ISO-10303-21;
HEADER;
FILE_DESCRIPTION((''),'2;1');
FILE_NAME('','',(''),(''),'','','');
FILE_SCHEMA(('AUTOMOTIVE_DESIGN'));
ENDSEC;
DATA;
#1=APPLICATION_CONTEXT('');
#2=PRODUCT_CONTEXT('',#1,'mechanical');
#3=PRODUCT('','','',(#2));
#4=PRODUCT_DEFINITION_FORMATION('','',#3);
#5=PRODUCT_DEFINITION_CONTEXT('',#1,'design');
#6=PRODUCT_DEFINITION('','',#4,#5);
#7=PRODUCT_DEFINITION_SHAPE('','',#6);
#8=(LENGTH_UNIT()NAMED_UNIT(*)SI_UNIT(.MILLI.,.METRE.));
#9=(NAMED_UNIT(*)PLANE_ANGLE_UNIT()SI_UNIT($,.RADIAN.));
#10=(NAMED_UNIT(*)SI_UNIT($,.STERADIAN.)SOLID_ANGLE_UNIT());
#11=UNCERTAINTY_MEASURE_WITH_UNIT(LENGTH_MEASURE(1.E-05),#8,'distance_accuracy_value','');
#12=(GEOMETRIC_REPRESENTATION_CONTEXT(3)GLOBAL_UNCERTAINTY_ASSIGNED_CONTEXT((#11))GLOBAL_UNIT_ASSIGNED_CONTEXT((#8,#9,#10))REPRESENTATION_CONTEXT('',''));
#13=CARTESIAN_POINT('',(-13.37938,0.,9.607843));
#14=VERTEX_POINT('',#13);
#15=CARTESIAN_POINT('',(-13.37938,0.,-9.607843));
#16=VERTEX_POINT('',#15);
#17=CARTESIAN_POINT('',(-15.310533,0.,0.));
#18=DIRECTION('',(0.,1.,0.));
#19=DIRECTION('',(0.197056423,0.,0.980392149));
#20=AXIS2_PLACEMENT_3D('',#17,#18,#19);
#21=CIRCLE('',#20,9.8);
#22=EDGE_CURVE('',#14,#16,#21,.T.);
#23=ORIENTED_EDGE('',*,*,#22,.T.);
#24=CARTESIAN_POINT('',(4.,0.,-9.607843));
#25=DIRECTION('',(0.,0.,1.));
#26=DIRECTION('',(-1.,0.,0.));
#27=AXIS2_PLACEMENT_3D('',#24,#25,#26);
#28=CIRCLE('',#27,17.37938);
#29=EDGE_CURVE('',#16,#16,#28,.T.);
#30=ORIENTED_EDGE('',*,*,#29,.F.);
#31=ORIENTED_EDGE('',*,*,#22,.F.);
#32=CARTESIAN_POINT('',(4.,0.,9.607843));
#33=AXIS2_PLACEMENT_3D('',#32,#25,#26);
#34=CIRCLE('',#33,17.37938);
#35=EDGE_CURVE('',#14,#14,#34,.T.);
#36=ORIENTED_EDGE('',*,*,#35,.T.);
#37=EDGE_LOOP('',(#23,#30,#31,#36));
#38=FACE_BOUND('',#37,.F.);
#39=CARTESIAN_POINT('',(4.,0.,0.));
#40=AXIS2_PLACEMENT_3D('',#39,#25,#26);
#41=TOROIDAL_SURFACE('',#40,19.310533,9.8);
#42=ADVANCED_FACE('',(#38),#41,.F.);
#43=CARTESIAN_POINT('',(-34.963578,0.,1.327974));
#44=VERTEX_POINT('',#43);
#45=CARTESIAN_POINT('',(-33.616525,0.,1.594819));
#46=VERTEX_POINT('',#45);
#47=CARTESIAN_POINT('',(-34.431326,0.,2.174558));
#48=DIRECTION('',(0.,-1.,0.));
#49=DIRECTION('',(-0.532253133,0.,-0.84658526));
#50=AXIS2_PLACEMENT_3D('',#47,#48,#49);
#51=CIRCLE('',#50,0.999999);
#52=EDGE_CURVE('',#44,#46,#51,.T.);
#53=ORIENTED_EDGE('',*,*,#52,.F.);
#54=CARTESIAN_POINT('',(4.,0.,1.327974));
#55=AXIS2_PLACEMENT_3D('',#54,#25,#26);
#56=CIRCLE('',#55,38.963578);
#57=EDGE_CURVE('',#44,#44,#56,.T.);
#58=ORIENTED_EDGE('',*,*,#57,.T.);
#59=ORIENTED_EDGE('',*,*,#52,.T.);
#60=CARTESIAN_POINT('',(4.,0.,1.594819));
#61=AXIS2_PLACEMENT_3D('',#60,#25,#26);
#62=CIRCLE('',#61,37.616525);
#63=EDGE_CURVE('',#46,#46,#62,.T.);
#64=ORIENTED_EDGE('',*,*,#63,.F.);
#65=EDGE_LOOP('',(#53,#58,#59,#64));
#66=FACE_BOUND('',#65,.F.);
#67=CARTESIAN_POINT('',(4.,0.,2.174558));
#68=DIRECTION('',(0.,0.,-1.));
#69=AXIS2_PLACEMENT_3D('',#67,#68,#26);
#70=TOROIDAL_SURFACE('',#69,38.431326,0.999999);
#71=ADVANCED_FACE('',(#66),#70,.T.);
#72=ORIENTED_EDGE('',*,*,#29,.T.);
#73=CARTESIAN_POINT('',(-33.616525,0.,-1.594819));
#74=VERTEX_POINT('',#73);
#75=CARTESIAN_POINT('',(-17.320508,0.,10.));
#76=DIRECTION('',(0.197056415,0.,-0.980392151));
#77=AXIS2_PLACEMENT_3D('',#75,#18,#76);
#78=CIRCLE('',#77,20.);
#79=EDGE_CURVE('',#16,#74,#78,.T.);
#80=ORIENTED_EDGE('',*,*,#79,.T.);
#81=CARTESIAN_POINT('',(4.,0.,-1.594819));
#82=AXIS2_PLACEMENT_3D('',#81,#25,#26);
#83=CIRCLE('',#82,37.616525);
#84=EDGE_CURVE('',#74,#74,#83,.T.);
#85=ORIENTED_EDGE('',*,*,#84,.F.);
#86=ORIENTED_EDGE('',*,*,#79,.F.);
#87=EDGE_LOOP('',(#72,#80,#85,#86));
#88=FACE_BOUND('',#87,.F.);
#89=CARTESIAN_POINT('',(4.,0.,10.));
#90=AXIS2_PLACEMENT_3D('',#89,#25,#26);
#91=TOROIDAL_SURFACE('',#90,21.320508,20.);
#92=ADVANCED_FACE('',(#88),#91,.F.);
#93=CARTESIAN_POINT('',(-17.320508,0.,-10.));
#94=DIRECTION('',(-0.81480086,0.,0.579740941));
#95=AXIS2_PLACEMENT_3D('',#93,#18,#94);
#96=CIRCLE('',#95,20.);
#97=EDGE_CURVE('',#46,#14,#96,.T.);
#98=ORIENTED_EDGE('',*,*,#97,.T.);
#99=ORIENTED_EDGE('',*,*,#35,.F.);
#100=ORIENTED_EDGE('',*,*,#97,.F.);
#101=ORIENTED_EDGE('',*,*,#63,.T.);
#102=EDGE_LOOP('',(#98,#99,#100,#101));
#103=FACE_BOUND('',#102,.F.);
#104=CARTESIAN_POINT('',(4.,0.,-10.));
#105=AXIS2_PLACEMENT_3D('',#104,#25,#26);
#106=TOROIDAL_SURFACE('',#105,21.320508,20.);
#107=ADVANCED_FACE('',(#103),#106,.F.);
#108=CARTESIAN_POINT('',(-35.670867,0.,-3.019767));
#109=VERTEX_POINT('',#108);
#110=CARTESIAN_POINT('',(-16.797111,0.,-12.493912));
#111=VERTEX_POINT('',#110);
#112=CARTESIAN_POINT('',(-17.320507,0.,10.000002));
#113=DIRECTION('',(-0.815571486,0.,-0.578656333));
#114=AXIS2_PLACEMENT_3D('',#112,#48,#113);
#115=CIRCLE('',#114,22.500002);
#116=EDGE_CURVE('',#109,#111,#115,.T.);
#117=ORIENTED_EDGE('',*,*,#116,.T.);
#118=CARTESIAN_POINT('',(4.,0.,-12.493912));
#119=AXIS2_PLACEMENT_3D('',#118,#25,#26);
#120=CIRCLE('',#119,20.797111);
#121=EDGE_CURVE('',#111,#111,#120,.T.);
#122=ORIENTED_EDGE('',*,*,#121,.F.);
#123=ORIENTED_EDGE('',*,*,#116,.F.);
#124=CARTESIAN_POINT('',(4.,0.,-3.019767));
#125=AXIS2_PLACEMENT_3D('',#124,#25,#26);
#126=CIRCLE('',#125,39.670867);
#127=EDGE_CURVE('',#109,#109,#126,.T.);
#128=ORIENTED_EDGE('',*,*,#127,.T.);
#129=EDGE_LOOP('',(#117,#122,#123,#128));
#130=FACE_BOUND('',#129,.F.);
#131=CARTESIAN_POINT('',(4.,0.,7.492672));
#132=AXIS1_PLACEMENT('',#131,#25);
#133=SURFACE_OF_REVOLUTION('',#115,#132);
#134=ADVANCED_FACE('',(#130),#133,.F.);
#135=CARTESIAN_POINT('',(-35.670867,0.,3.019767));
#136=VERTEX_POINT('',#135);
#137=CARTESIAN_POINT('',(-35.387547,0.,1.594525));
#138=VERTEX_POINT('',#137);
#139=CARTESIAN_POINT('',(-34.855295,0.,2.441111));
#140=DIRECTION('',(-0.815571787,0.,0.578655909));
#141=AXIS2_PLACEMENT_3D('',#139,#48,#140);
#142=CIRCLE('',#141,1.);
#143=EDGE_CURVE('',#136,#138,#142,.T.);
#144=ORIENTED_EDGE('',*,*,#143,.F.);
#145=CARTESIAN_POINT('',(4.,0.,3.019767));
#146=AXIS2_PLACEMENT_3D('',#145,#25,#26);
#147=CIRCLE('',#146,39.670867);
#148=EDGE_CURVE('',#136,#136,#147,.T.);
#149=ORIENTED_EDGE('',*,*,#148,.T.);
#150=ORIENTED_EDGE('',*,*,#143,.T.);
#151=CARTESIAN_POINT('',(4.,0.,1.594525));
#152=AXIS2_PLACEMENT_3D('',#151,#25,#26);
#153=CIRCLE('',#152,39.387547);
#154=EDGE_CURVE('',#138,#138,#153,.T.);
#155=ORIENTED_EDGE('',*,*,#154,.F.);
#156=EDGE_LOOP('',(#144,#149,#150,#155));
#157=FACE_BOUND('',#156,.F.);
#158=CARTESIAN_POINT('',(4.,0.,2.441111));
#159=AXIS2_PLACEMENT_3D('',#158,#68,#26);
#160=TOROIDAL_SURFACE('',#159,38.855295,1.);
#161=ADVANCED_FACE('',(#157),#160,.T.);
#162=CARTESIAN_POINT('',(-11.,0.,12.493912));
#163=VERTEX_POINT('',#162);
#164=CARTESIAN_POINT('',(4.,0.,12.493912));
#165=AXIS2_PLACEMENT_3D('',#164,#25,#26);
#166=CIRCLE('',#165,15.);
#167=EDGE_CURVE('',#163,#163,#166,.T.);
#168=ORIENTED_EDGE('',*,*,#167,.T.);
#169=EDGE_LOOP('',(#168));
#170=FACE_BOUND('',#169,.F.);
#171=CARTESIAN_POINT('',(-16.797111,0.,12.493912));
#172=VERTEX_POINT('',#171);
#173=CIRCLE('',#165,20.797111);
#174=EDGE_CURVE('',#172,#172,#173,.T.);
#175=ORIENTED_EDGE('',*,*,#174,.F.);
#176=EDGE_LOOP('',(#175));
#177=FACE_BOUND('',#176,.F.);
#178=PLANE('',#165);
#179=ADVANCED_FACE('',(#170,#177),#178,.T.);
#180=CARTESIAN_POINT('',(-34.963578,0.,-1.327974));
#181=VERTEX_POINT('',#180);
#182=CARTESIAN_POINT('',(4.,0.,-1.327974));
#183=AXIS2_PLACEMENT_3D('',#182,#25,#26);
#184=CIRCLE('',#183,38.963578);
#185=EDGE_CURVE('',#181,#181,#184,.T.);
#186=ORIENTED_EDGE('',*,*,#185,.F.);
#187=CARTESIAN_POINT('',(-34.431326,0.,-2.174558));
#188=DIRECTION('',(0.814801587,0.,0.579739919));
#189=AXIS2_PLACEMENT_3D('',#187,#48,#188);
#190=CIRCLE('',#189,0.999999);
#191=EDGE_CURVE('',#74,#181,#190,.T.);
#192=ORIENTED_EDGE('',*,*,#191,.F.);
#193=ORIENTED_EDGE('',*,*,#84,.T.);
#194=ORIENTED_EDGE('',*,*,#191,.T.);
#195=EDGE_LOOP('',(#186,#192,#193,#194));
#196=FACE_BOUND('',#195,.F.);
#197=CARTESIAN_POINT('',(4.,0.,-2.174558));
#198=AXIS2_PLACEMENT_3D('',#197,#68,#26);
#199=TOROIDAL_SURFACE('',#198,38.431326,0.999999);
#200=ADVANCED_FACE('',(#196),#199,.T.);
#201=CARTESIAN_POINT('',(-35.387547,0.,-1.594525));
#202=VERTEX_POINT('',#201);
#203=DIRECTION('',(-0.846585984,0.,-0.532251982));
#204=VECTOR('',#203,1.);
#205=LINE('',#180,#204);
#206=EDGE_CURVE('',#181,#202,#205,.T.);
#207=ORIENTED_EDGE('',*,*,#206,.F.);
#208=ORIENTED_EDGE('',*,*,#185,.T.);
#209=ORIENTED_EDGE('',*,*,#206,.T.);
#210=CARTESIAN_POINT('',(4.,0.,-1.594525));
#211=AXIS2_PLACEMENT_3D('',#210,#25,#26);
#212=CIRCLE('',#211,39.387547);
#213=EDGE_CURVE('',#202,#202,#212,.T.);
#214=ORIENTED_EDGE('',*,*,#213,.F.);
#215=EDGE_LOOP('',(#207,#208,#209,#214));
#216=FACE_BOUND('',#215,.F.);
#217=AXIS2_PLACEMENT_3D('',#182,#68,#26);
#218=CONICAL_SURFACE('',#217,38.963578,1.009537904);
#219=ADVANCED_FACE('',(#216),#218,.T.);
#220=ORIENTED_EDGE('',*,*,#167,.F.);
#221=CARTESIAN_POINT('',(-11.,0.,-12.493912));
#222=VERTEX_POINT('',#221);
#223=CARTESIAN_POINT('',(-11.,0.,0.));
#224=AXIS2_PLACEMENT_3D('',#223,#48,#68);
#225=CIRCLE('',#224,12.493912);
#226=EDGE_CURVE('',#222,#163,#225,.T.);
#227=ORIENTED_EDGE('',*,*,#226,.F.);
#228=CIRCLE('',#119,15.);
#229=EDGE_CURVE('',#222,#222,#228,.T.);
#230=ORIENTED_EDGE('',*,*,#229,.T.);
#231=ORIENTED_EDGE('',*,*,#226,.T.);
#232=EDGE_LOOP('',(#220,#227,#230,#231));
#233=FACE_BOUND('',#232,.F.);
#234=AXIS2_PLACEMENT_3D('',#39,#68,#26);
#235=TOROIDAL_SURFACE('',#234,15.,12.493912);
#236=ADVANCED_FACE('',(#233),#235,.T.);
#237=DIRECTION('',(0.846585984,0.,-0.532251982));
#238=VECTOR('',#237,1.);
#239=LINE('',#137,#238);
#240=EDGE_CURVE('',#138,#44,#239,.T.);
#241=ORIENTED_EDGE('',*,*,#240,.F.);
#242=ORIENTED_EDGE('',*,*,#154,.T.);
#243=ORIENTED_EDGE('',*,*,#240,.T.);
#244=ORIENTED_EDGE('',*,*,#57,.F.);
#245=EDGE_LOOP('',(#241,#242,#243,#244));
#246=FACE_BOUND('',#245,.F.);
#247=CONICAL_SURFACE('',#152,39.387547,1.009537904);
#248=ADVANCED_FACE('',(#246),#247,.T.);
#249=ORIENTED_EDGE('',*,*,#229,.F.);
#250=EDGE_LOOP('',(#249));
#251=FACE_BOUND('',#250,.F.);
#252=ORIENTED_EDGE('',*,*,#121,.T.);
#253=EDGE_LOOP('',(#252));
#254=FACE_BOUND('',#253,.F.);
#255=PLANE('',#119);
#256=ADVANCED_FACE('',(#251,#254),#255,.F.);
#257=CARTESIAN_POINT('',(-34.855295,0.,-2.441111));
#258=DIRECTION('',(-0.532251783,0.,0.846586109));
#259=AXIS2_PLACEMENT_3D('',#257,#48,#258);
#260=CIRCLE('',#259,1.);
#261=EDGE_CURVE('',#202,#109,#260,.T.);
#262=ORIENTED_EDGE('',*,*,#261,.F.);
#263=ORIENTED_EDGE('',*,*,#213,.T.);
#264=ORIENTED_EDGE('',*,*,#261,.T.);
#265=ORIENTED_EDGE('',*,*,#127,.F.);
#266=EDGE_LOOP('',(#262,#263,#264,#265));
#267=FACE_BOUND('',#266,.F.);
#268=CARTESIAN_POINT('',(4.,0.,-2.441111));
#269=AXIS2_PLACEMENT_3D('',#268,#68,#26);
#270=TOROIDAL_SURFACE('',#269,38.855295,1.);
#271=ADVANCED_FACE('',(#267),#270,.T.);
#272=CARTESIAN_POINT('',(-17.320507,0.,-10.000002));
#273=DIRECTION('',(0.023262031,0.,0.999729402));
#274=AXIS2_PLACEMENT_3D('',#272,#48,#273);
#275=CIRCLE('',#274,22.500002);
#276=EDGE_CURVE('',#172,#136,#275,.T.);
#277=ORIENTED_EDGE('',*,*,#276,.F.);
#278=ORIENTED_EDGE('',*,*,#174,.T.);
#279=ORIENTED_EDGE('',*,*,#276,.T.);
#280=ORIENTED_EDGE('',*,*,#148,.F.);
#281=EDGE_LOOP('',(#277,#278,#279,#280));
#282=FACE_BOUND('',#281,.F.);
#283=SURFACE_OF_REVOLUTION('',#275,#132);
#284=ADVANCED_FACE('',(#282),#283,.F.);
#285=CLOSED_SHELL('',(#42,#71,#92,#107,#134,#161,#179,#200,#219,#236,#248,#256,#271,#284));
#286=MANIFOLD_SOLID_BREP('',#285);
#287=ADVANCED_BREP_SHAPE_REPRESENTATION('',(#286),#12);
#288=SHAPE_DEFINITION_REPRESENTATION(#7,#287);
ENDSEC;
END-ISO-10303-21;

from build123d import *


with BuildPart() as f1:
    # F0 (on Front) → F1 (revolve)
    with BuildSketch(Plane.XZ):
        with BuildLine():
            ThreePointArc((-33.616525, 1.594819), (-24.683453, 8.59535), (-13.37938, 9.607843))
            ThreePointArc((-13.37938, 9.607843), (-5.510533, 0), (-13.37938, -9.607843))
            ThreePointArc((-13.37938, -9.607843), (-24.683453, -8.59535), (-33.616525, -1.594819))
            ThreePointArc((-33.616525, -1.594819), (-34.237007, -1.193621), (-34.963578, -1.327974))
            Line((-34.963578, -1.327974), (-35.387547, -1.594525))
            ThreePointArc((-35.387547, -1.594525), (-35.836104, -2.246139), (-35.670867, -3.019767))
            ThreePointArc((-35.670867, -3.019767), (-27.414565, -10.108705), (-16.797111, -12.493912))
            Line((-16.797111, -12.493912), (-11, -12.493912))
            ThreePointArc((-11, -12.493912), (1.493912, 0), (-11, 12.493912))
            Line((-11, 12.493912), (-16.797111, 12.493912))
            ThreePointArc((-16.797111, 12.493912), (-27.414565, 10.108705), (-35.670867, 3.019767))
            ThreePointArc((-35.670867, 3.019767), (-35.836104, 2.246139), (-35.387547, 1.594525))
            Line((-35.387547, 1.594525), (-34.963578, 1.327974))
            ThreePointArc((-34.963578, 1.327974), (-34.237007, 1.193621), (-33.616525, 1.594819))
        make_face()
    revolve(axis=Axis((4, 0, 7.492672), (0, 0, 1)))


solid = f1.part
